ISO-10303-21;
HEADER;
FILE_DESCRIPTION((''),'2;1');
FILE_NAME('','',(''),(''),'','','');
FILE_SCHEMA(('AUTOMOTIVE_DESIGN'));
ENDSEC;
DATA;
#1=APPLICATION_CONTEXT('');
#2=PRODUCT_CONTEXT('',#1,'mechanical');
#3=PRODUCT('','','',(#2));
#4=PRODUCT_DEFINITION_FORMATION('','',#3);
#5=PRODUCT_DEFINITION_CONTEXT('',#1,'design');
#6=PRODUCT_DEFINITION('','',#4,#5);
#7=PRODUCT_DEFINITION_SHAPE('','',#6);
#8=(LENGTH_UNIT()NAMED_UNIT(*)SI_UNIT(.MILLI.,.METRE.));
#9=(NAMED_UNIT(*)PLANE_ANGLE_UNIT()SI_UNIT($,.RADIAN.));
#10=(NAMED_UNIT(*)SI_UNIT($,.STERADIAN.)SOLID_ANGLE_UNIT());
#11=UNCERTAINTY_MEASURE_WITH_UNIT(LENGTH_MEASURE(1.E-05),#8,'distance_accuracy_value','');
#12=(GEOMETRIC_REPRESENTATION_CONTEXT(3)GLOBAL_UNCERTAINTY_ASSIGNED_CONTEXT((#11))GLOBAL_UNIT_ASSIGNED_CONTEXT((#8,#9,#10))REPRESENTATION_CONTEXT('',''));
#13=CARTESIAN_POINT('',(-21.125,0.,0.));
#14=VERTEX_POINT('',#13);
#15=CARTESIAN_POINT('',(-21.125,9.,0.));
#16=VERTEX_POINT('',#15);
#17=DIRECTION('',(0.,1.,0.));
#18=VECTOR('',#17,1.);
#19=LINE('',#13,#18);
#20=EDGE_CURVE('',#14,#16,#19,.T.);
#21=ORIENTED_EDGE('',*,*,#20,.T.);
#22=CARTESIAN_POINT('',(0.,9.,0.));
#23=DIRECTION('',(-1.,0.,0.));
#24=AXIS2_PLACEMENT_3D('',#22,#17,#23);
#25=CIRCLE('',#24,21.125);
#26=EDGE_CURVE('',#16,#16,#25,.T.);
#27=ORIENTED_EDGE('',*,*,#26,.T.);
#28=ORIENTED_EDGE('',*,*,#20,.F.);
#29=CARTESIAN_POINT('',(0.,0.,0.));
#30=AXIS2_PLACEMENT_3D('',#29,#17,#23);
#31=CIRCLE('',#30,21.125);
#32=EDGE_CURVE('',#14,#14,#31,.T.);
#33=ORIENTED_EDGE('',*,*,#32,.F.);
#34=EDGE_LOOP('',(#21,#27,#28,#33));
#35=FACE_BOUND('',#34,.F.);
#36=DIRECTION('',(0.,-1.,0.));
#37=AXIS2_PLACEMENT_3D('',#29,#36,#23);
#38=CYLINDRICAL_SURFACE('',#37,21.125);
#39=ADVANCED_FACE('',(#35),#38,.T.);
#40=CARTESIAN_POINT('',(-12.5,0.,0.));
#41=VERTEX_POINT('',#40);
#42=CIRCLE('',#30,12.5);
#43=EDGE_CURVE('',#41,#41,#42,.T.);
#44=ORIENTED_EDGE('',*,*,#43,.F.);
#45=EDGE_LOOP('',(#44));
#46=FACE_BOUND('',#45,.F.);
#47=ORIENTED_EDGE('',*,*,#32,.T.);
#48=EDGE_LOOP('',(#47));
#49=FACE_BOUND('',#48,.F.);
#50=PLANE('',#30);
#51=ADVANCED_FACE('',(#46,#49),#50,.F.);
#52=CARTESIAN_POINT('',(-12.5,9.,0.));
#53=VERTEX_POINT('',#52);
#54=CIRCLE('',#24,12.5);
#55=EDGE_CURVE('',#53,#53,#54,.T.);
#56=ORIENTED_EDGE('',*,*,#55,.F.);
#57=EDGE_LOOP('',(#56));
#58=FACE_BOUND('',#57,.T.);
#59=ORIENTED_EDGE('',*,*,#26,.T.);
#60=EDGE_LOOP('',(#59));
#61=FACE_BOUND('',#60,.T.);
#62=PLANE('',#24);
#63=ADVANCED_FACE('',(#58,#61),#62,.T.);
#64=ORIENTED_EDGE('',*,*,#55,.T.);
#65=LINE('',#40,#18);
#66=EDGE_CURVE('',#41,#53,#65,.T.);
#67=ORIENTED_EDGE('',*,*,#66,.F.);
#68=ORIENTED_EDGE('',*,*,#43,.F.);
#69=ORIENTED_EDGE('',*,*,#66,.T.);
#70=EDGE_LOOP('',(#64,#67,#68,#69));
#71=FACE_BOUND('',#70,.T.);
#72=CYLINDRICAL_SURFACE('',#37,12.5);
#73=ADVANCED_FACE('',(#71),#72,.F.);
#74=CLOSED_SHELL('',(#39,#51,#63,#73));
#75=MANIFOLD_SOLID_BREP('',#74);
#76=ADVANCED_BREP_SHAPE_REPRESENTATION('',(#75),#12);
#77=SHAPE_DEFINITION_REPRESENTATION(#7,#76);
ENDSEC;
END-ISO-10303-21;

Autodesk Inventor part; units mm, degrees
ref_plane "YZ Plane" through (0, 0, 0) normal (1, 0, 0) x (0, 1, 0)
ref_plane "XZ Plane" through (0, 0, 0) normal (0, 1, 0) x (-1, 0, 0)
ref_plane "XY Plane" through (0, 0, 0) normal (0, 0, 1) x (1, 0, 0)
sketch "Sketch1" plane through (0, 0, 0) normal (0, 1, 0) x (-1, 0, 0)
  circle A0 centre (0, 0) radius 21.125
  circle A1 centre (0, 0) radius 12.5
  dimension "d0" = 42.25
  dimension "d1" = 25
extrude "Extrusion1" add sketch "Sketch1" along normal blind 9
properties part number "Bearing"
